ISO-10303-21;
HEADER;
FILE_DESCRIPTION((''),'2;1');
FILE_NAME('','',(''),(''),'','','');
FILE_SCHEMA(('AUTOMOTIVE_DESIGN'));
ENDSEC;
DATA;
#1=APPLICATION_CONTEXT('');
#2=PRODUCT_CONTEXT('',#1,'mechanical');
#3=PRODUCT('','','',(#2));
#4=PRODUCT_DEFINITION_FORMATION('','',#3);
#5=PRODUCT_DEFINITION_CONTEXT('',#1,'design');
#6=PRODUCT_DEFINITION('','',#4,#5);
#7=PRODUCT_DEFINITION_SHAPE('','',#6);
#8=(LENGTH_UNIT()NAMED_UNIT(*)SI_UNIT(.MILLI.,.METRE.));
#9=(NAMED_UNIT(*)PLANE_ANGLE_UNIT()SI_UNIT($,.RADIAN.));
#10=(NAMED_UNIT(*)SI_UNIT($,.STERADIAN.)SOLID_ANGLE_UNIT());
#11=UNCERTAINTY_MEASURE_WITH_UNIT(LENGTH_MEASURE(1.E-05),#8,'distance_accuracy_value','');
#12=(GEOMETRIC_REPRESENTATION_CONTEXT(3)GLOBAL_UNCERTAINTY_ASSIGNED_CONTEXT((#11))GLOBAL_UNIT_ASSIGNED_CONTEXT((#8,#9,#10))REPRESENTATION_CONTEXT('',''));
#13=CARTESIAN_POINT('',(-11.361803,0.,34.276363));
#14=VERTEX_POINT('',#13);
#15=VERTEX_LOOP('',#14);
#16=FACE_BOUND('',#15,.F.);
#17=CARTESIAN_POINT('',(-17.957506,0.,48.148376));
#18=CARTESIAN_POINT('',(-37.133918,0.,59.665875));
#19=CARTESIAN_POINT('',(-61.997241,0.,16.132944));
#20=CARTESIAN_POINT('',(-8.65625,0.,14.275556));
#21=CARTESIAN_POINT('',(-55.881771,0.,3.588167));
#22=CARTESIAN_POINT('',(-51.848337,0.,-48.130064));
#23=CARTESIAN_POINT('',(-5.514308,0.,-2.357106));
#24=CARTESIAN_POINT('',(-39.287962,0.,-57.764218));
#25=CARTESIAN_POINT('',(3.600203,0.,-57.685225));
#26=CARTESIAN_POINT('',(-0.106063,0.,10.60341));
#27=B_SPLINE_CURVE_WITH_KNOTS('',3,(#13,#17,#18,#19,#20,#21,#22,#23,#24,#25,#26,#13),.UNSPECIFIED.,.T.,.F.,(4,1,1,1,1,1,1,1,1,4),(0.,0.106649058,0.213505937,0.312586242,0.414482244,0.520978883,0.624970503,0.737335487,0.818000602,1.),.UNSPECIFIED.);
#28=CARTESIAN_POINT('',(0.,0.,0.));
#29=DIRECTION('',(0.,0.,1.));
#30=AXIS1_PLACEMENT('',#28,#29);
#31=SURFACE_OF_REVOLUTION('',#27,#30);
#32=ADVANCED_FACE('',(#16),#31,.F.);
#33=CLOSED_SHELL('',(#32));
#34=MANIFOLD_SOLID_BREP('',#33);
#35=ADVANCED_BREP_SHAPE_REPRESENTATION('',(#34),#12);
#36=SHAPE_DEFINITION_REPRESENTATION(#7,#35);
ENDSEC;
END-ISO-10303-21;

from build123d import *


with BuildPart() as f2:
    # F1 (on Front) → F2 (revolve)
    with BuildSketch(Plane.XZ):
        with BuildLine():
            add(Edge.make_bspline(
                [(-11.3618029281, 34.2763625085), (-17.9575062601, 48.1483757139), (-37.1339179892, 59.6658751774), (-61.9972406141, 16.1329441371), (-8.6562500141, 14.2755563547), (-55.8817712746, 3.5881669969), (-51.8483369551, -48.1300644475), (-5.5143083317, -2.3571059233), (-39.2879624709, -57.7642179277), (3.6002030742, -57.6852248742), (-0.1060631962, 10.6034102336), (-11.3618029281, 34.2763625085)],
                knots=[0, 0, 0, 0, 0.1066490576, 0.2135059368, 0.3125862424, 0.4144822439, 0.5209788825, 0.6249705029, 0.7373354869, 0.8180006022, 1, 1, 1, 1], degree=3))
        make_face()
    revolve(axis=Axis((0, 0, 0), (0, 0, 1)))


solid = f2.part
